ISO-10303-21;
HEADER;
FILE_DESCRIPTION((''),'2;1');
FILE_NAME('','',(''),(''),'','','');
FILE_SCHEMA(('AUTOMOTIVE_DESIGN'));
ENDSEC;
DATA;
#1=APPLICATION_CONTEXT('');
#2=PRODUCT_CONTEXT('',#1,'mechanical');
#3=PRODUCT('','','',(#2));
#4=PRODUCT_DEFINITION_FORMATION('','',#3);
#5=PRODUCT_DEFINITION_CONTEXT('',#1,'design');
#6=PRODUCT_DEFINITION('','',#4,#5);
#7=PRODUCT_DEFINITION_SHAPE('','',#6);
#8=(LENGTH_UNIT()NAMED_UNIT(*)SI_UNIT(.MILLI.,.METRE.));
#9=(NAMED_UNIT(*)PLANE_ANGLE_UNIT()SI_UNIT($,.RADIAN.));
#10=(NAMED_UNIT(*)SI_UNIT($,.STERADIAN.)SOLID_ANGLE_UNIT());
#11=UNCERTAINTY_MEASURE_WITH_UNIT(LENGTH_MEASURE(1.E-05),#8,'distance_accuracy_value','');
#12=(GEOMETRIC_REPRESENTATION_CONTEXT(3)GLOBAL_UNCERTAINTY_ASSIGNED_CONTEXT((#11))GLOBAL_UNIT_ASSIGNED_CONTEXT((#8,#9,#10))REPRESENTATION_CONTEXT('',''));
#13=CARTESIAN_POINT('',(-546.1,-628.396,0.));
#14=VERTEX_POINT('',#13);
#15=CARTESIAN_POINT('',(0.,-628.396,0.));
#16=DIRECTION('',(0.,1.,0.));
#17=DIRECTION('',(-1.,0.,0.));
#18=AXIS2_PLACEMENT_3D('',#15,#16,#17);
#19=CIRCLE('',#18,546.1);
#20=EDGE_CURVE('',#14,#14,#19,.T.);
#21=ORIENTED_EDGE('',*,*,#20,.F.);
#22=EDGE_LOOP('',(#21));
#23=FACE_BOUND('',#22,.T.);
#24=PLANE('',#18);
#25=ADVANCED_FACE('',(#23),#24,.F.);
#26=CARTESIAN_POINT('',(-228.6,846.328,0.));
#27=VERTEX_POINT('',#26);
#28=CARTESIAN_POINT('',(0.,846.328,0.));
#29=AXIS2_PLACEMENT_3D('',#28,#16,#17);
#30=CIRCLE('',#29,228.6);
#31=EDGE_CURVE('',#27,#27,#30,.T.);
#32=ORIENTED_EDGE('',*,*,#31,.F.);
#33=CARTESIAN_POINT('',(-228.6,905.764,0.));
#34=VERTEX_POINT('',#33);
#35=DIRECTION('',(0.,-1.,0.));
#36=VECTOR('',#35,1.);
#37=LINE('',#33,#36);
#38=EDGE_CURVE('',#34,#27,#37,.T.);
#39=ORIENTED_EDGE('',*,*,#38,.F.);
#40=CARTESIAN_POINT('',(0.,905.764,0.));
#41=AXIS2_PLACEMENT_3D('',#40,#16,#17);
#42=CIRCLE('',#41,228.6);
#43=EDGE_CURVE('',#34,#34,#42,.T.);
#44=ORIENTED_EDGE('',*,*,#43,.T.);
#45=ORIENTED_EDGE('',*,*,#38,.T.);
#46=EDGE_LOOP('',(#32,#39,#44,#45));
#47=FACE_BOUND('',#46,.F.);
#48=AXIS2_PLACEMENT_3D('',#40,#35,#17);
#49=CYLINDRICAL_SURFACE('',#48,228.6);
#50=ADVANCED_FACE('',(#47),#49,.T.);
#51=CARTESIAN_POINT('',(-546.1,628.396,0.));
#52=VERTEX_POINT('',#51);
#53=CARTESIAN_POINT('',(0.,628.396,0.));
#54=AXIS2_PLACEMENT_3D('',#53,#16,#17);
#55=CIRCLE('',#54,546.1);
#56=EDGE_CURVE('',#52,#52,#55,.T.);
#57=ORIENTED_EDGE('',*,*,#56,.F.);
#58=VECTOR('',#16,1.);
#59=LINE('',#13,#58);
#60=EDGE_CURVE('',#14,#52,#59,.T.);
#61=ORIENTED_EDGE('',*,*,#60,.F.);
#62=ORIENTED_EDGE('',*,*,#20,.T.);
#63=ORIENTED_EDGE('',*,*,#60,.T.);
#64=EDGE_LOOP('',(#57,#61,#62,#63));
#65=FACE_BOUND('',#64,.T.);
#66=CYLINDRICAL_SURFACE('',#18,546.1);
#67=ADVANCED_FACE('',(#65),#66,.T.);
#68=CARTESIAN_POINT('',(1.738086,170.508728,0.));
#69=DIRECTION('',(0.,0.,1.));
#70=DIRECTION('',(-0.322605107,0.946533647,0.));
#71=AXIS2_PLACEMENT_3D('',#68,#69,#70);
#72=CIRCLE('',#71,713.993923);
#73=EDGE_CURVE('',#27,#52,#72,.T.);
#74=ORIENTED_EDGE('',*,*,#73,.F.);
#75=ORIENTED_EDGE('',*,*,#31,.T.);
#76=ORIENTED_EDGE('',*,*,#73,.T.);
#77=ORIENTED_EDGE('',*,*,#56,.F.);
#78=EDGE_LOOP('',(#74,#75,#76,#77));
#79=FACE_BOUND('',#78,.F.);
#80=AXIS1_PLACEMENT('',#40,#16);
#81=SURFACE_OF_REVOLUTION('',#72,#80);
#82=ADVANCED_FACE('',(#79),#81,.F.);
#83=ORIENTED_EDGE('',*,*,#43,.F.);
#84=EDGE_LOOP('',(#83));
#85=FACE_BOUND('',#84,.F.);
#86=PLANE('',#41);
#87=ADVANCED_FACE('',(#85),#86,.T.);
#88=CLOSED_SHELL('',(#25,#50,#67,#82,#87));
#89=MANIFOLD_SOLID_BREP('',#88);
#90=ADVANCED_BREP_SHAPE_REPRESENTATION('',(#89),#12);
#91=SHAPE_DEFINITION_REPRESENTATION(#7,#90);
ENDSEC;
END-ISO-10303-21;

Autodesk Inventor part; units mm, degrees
ref_plane "YZ Plane" through (0, 0, 0) normal (1, 0, 0) x (0, 1, 0)
ref_plane "XZ Plane" through (0, 0, 0) normal (0, 1, 0) x (-1, 0, 0)
ref_plane "XY Plane" through (0, 0, 0) normal (0, 0, 1) x (1, 0, 0)
sketch "Sketch1" plane through (0, 0, 0) normal (0, 0, 1) x (1, 0, 0)
  line L0 (0, -628.396) -> (-546.1, -628.396)
  line L1 (-546.1, -628.396) -> (-546.1, 628.396)
  line L2 (-546.1, 628.396) -> (0, 628.396)
  line L3 (546.1, -628.396) -> (-546.1, 628.396) construction
  line L4 (-546.1, -628.396) -> (546.1, 628.396) construction
  line L5 (0, 905.764) -> (-228.6, 905.764)
  line L6 (-228.6, 905.764) -> (-228.6, 846.328)
  line L7 (-228.6, 846.328) -> (0, 846.328)
  line L8 (228.6, 846.328) -> (228.6, 847.5028)
  line L9 (0, 876.046) -> (-228.6, 846.328) construction
  line L10 (-228.6, 905.764) -> (0, 876.046) construction
  arc A0 (-228.6, 846.328) -> (-546.1, 628.396) centre (1.7381, 170.5087) ccw
  line L11 (0, 905.764) -> (0, -628.396)
  point P0 (0, 0)
  dimension "d0" = 1092.2
  dimension "d1" = 1256.792
  dimension "d2" = 457.2
  dimension "d3" = 59.436
  dimension "d4" = 713.994
revolve "Revolution1" add sketch "Sketch1" angle 360 about axis through (0, 905.764, 0) along (0, 1, 0)
properties part number "DuraCast_V325Gallon"
